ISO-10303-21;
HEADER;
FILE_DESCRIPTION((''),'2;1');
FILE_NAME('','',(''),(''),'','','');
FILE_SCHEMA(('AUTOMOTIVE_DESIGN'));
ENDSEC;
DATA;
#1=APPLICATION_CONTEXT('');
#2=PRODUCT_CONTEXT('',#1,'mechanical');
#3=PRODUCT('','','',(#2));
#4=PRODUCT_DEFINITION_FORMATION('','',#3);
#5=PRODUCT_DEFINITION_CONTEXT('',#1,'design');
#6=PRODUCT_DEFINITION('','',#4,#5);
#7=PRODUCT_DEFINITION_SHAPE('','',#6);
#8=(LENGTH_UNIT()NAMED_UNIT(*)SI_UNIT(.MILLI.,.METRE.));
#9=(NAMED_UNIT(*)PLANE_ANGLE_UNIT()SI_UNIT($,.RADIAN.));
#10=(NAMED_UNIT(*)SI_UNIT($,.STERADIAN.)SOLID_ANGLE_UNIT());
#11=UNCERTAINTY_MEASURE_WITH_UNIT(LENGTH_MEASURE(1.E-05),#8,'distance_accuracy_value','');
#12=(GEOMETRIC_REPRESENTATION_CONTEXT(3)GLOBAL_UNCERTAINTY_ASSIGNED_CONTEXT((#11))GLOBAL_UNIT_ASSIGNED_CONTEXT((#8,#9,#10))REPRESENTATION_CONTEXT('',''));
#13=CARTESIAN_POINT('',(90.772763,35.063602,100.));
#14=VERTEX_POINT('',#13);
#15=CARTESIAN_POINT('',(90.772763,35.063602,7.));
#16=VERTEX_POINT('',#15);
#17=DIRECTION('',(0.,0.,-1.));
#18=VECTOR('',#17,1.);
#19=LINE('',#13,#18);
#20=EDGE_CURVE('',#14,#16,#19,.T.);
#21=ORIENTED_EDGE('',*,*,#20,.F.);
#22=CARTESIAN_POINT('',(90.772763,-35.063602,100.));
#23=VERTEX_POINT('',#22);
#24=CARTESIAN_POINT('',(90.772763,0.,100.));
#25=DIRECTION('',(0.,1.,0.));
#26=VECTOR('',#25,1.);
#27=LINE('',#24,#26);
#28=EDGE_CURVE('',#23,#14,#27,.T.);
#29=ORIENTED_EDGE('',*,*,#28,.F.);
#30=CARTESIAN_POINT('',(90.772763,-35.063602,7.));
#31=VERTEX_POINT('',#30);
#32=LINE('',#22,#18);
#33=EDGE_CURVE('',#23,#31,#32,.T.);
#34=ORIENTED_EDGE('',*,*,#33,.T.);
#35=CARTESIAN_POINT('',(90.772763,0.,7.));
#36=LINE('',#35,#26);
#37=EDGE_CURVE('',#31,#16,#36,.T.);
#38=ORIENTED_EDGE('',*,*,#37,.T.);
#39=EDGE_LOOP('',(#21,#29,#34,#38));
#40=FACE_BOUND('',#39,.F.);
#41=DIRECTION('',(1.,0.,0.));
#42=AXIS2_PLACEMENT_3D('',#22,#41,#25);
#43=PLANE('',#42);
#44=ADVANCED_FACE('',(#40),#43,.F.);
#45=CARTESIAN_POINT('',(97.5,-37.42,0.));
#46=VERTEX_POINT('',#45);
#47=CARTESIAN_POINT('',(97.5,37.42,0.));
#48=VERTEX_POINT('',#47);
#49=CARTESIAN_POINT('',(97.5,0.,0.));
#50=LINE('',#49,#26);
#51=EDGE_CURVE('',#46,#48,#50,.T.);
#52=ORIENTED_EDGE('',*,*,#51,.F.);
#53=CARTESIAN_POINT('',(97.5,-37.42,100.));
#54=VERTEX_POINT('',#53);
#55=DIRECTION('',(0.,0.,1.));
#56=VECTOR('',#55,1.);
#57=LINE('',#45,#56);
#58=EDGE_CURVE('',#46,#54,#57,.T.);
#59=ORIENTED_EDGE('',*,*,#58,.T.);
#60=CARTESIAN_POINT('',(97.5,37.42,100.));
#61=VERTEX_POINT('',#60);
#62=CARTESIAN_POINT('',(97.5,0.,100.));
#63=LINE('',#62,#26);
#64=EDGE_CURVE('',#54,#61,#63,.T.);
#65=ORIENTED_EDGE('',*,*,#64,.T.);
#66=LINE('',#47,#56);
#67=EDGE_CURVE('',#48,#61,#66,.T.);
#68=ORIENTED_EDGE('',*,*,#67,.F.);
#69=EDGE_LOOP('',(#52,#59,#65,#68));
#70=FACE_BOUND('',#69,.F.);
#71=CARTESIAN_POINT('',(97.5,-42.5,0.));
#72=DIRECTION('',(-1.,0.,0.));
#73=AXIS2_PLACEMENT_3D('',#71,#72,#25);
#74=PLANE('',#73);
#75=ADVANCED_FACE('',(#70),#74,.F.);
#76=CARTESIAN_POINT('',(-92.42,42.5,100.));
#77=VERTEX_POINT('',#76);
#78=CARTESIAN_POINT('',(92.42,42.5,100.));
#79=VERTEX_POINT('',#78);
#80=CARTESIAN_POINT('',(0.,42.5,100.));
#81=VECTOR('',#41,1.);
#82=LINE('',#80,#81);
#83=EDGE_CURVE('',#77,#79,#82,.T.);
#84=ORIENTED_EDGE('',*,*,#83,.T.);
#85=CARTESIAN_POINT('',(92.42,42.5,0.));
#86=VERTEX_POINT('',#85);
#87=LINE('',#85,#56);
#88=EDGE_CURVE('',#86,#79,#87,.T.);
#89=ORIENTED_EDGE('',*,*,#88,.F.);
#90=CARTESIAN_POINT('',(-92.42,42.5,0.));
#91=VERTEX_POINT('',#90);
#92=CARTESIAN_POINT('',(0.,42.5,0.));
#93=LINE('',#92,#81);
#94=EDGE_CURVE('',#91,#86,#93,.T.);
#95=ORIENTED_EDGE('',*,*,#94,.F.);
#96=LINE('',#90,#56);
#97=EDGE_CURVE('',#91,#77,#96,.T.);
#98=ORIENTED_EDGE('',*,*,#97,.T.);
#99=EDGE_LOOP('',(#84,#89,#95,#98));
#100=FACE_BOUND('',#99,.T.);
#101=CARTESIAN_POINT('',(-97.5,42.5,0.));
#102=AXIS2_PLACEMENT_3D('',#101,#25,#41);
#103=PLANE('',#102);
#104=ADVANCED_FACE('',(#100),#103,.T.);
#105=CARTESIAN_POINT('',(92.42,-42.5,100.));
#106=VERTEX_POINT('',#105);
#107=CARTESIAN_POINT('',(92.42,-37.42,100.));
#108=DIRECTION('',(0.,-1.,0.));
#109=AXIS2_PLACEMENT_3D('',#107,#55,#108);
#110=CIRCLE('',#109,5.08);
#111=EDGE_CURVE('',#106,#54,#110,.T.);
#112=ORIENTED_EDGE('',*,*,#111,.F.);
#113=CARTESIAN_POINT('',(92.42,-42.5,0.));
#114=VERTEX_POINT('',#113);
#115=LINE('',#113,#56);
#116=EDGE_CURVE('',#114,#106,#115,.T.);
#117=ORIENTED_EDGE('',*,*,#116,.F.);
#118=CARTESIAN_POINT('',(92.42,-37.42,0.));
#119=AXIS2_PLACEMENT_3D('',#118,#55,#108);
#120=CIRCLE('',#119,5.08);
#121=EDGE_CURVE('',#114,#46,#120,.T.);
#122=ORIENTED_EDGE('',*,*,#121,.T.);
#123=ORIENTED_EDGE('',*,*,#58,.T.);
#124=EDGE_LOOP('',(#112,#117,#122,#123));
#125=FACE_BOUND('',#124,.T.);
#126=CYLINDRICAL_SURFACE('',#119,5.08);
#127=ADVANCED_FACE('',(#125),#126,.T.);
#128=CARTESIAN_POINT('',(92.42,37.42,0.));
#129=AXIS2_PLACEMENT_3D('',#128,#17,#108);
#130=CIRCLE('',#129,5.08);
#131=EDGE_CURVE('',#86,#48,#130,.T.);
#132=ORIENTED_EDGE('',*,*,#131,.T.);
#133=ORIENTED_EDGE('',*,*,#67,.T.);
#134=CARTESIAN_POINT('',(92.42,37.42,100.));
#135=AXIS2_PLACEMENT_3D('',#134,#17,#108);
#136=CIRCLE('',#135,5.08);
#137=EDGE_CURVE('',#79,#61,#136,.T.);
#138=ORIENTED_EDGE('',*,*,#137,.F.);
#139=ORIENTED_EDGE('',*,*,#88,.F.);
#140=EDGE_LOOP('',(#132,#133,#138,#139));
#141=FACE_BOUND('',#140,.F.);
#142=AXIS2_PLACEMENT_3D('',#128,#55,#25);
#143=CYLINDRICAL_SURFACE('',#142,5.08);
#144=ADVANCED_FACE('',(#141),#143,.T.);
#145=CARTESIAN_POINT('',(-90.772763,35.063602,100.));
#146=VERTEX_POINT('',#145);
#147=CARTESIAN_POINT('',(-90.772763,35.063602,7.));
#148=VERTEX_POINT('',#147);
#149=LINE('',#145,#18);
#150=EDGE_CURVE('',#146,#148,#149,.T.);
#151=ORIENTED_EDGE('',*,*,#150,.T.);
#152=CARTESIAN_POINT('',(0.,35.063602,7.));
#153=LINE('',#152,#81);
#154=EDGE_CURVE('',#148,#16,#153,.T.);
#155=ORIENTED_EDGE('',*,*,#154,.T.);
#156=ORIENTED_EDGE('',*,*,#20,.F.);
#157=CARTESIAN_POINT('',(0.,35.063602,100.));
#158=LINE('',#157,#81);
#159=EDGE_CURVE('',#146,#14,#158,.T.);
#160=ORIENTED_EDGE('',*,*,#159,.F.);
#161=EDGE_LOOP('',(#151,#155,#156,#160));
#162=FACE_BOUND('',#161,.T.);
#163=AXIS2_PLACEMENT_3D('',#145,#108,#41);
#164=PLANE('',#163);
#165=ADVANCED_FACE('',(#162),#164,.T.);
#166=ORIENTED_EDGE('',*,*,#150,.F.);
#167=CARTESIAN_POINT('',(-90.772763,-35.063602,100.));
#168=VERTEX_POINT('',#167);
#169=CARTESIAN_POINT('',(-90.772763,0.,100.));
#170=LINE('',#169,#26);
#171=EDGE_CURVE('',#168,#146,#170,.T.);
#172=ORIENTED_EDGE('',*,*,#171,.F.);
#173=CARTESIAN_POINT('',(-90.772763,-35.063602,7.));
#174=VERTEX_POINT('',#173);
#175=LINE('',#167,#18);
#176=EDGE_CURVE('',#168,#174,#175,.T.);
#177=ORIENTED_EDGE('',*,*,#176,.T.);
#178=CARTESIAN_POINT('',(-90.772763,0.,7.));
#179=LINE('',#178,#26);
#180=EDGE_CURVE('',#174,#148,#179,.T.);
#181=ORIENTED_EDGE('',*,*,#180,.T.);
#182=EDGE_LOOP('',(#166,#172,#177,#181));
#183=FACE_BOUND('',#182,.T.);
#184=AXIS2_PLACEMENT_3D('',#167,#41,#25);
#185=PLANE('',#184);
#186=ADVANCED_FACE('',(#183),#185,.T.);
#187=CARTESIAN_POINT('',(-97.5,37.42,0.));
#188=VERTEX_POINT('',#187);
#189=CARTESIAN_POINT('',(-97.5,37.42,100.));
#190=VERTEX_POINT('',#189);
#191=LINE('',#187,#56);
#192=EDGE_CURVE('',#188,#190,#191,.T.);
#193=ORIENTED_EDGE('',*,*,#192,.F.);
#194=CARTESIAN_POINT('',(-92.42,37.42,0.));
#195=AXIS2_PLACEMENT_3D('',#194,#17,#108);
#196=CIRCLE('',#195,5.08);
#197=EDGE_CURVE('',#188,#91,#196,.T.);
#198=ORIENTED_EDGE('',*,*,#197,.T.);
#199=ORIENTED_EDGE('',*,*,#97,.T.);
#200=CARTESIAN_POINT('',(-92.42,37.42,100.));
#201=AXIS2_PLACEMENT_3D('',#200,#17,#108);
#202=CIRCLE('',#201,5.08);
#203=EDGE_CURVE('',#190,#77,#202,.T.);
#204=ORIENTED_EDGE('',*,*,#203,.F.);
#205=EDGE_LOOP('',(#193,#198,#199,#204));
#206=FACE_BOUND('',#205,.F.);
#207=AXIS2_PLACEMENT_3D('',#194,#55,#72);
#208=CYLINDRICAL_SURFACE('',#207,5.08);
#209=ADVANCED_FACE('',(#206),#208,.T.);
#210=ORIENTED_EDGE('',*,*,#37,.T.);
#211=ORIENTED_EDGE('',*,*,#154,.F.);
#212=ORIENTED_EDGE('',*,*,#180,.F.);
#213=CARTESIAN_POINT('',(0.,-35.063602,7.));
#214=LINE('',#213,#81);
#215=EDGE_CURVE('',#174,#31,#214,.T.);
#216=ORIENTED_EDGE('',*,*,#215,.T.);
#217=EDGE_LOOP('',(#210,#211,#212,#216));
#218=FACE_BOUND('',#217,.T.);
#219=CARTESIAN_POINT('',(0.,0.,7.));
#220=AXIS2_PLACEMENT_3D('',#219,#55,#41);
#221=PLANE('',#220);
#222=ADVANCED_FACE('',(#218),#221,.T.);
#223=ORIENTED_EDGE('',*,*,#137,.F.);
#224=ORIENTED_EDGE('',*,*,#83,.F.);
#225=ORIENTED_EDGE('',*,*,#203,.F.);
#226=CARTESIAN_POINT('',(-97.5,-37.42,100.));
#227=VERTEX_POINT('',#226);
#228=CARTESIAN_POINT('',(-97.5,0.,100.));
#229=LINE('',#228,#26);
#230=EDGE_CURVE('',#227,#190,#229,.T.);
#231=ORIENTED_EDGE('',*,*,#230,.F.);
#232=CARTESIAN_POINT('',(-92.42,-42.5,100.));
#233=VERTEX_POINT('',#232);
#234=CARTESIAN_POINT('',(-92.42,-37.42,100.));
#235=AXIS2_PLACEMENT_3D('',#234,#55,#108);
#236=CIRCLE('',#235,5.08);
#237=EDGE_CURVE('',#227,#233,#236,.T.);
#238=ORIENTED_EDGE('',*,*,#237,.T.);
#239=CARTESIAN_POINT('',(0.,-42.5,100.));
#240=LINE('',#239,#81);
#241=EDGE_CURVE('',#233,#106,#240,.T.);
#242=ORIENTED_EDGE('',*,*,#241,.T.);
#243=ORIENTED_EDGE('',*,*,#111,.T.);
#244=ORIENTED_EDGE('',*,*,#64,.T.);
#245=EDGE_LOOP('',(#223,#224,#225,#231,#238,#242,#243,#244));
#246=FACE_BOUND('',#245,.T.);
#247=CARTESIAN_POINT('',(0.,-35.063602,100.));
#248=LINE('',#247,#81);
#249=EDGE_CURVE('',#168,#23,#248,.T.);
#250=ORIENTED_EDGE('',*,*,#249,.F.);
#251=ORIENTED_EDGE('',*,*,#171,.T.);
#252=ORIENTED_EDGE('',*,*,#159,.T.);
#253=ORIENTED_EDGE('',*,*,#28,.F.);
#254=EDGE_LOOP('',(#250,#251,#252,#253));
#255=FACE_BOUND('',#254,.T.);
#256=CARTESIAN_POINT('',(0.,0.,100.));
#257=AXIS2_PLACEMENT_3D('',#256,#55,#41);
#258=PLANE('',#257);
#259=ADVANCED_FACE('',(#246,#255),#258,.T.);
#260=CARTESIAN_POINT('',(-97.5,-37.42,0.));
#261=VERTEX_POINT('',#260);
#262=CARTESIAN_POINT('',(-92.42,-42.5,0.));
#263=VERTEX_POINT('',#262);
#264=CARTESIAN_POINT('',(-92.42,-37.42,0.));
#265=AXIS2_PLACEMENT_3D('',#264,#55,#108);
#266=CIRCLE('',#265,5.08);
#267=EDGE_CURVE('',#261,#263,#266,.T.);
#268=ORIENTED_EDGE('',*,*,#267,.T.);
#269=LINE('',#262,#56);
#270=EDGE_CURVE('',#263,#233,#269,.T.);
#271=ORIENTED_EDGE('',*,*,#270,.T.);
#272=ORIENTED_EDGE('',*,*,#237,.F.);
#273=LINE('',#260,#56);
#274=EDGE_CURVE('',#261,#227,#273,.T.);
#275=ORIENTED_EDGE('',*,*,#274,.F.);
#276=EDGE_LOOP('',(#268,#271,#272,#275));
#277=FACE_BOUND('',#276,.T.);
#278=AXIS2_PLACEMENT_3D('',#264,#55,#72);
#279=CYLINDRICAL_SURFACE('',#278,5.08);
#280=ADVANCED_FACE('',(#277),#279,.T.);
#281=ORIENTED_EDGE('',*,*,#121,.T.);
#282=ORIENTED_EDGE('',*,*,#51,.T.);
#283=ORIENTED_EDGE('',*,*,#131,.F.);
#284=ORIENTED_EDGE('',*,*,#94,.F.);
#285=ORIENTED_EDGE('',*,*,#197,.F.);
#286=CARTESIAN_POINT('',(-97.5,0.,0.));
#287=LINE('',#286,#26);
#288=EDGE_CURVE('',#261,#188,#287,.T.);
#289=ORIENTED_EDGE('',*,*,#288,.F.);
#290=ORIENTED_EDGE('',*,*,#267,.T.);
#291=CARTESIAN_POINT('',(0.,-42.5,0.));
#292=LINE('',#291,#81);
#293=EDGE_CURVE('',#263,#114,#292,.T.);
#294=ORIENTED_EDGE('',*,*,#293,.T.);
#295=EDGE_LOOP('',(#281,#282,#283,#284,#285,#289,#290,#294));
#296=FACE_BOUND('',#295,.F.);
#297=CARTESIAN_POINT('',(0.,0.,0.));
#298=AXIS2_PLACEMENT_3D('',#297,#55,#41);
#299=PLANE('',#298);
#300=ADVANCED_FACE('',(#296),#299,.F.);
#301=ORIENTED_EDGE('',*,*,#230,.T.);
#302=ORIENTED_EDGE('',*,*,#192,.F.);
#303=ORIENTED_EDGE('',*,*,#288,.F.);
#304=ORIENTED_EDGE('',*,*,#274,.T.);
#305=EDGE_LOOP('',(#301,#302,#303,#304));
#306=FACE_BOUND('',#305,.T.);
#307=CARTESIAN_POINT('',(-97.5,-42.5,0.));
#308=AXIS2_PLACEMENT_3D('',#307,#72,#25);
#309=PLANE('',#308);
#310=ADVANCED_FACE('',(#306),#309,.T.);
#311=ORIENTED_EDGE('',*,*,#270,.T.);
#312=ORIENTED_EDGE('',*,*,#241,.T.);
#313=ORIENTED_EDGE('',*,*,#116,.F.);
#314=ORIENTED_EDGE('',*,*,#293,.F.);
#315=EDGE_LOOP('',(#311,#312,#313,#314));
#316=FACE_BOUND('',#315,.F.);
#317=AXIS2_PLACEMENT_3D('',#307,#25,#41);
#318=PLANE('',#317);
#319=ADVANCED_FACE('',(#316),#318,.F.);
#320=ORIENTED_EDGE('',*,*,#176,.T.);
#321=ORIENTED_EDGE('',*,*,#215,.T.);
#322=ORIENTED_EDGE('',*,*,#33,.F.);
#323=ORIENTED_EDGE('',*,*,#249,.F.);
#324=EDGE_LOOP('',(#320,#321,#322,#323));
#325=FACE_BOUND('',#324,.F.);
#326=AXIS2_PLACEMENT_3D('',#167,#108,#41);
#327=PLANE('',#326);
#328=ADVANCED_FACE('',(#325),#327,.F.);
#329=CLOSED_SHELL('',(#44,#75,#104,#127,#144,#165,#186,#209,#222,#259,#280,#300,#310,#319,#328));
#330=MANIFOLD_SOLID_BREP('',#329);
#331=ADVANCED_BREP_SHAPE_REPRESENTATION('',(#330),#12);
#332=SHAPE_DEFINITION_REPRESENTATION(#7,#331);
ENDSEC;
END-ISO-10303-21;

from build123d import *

# Parameters (mm, degrees)
F0_W     = 195
F0_H     = 85
F1_DEPTH = 100
F2_W     = 181.545526
F2_H     = 70.127204
F3_DEPTH = 93
F4_R     = 5.08


with BuildPart() as f1:
    # F0 (on Top) → F1 (new body)
    with BuildSketch(Plane.XY):
        Rectangle(F0_W, F0_H)
    extrude(amount=F1_DEPTH)

    # F2 (on face) → F3 (cut)
    with BuildSketch(Plane.XY.offset(100)):
        Rectangle(F2_W, F2_H)
    extrude(amount=-F3_DEPTH, mode=Mode.SUBTRACT)

    # F4
    f4_edges = [f1.edges().sort_by_distance(p)[0] for p in [
        (97.5, -42.5, 50),
        (97.5, 42.5, 50),
        (-97.5, -42.5, 50),
        (-97.5, 42.5, 50),
    ]]
    fillet(f4_edges, radius=F4_R)


solid = f1.part
